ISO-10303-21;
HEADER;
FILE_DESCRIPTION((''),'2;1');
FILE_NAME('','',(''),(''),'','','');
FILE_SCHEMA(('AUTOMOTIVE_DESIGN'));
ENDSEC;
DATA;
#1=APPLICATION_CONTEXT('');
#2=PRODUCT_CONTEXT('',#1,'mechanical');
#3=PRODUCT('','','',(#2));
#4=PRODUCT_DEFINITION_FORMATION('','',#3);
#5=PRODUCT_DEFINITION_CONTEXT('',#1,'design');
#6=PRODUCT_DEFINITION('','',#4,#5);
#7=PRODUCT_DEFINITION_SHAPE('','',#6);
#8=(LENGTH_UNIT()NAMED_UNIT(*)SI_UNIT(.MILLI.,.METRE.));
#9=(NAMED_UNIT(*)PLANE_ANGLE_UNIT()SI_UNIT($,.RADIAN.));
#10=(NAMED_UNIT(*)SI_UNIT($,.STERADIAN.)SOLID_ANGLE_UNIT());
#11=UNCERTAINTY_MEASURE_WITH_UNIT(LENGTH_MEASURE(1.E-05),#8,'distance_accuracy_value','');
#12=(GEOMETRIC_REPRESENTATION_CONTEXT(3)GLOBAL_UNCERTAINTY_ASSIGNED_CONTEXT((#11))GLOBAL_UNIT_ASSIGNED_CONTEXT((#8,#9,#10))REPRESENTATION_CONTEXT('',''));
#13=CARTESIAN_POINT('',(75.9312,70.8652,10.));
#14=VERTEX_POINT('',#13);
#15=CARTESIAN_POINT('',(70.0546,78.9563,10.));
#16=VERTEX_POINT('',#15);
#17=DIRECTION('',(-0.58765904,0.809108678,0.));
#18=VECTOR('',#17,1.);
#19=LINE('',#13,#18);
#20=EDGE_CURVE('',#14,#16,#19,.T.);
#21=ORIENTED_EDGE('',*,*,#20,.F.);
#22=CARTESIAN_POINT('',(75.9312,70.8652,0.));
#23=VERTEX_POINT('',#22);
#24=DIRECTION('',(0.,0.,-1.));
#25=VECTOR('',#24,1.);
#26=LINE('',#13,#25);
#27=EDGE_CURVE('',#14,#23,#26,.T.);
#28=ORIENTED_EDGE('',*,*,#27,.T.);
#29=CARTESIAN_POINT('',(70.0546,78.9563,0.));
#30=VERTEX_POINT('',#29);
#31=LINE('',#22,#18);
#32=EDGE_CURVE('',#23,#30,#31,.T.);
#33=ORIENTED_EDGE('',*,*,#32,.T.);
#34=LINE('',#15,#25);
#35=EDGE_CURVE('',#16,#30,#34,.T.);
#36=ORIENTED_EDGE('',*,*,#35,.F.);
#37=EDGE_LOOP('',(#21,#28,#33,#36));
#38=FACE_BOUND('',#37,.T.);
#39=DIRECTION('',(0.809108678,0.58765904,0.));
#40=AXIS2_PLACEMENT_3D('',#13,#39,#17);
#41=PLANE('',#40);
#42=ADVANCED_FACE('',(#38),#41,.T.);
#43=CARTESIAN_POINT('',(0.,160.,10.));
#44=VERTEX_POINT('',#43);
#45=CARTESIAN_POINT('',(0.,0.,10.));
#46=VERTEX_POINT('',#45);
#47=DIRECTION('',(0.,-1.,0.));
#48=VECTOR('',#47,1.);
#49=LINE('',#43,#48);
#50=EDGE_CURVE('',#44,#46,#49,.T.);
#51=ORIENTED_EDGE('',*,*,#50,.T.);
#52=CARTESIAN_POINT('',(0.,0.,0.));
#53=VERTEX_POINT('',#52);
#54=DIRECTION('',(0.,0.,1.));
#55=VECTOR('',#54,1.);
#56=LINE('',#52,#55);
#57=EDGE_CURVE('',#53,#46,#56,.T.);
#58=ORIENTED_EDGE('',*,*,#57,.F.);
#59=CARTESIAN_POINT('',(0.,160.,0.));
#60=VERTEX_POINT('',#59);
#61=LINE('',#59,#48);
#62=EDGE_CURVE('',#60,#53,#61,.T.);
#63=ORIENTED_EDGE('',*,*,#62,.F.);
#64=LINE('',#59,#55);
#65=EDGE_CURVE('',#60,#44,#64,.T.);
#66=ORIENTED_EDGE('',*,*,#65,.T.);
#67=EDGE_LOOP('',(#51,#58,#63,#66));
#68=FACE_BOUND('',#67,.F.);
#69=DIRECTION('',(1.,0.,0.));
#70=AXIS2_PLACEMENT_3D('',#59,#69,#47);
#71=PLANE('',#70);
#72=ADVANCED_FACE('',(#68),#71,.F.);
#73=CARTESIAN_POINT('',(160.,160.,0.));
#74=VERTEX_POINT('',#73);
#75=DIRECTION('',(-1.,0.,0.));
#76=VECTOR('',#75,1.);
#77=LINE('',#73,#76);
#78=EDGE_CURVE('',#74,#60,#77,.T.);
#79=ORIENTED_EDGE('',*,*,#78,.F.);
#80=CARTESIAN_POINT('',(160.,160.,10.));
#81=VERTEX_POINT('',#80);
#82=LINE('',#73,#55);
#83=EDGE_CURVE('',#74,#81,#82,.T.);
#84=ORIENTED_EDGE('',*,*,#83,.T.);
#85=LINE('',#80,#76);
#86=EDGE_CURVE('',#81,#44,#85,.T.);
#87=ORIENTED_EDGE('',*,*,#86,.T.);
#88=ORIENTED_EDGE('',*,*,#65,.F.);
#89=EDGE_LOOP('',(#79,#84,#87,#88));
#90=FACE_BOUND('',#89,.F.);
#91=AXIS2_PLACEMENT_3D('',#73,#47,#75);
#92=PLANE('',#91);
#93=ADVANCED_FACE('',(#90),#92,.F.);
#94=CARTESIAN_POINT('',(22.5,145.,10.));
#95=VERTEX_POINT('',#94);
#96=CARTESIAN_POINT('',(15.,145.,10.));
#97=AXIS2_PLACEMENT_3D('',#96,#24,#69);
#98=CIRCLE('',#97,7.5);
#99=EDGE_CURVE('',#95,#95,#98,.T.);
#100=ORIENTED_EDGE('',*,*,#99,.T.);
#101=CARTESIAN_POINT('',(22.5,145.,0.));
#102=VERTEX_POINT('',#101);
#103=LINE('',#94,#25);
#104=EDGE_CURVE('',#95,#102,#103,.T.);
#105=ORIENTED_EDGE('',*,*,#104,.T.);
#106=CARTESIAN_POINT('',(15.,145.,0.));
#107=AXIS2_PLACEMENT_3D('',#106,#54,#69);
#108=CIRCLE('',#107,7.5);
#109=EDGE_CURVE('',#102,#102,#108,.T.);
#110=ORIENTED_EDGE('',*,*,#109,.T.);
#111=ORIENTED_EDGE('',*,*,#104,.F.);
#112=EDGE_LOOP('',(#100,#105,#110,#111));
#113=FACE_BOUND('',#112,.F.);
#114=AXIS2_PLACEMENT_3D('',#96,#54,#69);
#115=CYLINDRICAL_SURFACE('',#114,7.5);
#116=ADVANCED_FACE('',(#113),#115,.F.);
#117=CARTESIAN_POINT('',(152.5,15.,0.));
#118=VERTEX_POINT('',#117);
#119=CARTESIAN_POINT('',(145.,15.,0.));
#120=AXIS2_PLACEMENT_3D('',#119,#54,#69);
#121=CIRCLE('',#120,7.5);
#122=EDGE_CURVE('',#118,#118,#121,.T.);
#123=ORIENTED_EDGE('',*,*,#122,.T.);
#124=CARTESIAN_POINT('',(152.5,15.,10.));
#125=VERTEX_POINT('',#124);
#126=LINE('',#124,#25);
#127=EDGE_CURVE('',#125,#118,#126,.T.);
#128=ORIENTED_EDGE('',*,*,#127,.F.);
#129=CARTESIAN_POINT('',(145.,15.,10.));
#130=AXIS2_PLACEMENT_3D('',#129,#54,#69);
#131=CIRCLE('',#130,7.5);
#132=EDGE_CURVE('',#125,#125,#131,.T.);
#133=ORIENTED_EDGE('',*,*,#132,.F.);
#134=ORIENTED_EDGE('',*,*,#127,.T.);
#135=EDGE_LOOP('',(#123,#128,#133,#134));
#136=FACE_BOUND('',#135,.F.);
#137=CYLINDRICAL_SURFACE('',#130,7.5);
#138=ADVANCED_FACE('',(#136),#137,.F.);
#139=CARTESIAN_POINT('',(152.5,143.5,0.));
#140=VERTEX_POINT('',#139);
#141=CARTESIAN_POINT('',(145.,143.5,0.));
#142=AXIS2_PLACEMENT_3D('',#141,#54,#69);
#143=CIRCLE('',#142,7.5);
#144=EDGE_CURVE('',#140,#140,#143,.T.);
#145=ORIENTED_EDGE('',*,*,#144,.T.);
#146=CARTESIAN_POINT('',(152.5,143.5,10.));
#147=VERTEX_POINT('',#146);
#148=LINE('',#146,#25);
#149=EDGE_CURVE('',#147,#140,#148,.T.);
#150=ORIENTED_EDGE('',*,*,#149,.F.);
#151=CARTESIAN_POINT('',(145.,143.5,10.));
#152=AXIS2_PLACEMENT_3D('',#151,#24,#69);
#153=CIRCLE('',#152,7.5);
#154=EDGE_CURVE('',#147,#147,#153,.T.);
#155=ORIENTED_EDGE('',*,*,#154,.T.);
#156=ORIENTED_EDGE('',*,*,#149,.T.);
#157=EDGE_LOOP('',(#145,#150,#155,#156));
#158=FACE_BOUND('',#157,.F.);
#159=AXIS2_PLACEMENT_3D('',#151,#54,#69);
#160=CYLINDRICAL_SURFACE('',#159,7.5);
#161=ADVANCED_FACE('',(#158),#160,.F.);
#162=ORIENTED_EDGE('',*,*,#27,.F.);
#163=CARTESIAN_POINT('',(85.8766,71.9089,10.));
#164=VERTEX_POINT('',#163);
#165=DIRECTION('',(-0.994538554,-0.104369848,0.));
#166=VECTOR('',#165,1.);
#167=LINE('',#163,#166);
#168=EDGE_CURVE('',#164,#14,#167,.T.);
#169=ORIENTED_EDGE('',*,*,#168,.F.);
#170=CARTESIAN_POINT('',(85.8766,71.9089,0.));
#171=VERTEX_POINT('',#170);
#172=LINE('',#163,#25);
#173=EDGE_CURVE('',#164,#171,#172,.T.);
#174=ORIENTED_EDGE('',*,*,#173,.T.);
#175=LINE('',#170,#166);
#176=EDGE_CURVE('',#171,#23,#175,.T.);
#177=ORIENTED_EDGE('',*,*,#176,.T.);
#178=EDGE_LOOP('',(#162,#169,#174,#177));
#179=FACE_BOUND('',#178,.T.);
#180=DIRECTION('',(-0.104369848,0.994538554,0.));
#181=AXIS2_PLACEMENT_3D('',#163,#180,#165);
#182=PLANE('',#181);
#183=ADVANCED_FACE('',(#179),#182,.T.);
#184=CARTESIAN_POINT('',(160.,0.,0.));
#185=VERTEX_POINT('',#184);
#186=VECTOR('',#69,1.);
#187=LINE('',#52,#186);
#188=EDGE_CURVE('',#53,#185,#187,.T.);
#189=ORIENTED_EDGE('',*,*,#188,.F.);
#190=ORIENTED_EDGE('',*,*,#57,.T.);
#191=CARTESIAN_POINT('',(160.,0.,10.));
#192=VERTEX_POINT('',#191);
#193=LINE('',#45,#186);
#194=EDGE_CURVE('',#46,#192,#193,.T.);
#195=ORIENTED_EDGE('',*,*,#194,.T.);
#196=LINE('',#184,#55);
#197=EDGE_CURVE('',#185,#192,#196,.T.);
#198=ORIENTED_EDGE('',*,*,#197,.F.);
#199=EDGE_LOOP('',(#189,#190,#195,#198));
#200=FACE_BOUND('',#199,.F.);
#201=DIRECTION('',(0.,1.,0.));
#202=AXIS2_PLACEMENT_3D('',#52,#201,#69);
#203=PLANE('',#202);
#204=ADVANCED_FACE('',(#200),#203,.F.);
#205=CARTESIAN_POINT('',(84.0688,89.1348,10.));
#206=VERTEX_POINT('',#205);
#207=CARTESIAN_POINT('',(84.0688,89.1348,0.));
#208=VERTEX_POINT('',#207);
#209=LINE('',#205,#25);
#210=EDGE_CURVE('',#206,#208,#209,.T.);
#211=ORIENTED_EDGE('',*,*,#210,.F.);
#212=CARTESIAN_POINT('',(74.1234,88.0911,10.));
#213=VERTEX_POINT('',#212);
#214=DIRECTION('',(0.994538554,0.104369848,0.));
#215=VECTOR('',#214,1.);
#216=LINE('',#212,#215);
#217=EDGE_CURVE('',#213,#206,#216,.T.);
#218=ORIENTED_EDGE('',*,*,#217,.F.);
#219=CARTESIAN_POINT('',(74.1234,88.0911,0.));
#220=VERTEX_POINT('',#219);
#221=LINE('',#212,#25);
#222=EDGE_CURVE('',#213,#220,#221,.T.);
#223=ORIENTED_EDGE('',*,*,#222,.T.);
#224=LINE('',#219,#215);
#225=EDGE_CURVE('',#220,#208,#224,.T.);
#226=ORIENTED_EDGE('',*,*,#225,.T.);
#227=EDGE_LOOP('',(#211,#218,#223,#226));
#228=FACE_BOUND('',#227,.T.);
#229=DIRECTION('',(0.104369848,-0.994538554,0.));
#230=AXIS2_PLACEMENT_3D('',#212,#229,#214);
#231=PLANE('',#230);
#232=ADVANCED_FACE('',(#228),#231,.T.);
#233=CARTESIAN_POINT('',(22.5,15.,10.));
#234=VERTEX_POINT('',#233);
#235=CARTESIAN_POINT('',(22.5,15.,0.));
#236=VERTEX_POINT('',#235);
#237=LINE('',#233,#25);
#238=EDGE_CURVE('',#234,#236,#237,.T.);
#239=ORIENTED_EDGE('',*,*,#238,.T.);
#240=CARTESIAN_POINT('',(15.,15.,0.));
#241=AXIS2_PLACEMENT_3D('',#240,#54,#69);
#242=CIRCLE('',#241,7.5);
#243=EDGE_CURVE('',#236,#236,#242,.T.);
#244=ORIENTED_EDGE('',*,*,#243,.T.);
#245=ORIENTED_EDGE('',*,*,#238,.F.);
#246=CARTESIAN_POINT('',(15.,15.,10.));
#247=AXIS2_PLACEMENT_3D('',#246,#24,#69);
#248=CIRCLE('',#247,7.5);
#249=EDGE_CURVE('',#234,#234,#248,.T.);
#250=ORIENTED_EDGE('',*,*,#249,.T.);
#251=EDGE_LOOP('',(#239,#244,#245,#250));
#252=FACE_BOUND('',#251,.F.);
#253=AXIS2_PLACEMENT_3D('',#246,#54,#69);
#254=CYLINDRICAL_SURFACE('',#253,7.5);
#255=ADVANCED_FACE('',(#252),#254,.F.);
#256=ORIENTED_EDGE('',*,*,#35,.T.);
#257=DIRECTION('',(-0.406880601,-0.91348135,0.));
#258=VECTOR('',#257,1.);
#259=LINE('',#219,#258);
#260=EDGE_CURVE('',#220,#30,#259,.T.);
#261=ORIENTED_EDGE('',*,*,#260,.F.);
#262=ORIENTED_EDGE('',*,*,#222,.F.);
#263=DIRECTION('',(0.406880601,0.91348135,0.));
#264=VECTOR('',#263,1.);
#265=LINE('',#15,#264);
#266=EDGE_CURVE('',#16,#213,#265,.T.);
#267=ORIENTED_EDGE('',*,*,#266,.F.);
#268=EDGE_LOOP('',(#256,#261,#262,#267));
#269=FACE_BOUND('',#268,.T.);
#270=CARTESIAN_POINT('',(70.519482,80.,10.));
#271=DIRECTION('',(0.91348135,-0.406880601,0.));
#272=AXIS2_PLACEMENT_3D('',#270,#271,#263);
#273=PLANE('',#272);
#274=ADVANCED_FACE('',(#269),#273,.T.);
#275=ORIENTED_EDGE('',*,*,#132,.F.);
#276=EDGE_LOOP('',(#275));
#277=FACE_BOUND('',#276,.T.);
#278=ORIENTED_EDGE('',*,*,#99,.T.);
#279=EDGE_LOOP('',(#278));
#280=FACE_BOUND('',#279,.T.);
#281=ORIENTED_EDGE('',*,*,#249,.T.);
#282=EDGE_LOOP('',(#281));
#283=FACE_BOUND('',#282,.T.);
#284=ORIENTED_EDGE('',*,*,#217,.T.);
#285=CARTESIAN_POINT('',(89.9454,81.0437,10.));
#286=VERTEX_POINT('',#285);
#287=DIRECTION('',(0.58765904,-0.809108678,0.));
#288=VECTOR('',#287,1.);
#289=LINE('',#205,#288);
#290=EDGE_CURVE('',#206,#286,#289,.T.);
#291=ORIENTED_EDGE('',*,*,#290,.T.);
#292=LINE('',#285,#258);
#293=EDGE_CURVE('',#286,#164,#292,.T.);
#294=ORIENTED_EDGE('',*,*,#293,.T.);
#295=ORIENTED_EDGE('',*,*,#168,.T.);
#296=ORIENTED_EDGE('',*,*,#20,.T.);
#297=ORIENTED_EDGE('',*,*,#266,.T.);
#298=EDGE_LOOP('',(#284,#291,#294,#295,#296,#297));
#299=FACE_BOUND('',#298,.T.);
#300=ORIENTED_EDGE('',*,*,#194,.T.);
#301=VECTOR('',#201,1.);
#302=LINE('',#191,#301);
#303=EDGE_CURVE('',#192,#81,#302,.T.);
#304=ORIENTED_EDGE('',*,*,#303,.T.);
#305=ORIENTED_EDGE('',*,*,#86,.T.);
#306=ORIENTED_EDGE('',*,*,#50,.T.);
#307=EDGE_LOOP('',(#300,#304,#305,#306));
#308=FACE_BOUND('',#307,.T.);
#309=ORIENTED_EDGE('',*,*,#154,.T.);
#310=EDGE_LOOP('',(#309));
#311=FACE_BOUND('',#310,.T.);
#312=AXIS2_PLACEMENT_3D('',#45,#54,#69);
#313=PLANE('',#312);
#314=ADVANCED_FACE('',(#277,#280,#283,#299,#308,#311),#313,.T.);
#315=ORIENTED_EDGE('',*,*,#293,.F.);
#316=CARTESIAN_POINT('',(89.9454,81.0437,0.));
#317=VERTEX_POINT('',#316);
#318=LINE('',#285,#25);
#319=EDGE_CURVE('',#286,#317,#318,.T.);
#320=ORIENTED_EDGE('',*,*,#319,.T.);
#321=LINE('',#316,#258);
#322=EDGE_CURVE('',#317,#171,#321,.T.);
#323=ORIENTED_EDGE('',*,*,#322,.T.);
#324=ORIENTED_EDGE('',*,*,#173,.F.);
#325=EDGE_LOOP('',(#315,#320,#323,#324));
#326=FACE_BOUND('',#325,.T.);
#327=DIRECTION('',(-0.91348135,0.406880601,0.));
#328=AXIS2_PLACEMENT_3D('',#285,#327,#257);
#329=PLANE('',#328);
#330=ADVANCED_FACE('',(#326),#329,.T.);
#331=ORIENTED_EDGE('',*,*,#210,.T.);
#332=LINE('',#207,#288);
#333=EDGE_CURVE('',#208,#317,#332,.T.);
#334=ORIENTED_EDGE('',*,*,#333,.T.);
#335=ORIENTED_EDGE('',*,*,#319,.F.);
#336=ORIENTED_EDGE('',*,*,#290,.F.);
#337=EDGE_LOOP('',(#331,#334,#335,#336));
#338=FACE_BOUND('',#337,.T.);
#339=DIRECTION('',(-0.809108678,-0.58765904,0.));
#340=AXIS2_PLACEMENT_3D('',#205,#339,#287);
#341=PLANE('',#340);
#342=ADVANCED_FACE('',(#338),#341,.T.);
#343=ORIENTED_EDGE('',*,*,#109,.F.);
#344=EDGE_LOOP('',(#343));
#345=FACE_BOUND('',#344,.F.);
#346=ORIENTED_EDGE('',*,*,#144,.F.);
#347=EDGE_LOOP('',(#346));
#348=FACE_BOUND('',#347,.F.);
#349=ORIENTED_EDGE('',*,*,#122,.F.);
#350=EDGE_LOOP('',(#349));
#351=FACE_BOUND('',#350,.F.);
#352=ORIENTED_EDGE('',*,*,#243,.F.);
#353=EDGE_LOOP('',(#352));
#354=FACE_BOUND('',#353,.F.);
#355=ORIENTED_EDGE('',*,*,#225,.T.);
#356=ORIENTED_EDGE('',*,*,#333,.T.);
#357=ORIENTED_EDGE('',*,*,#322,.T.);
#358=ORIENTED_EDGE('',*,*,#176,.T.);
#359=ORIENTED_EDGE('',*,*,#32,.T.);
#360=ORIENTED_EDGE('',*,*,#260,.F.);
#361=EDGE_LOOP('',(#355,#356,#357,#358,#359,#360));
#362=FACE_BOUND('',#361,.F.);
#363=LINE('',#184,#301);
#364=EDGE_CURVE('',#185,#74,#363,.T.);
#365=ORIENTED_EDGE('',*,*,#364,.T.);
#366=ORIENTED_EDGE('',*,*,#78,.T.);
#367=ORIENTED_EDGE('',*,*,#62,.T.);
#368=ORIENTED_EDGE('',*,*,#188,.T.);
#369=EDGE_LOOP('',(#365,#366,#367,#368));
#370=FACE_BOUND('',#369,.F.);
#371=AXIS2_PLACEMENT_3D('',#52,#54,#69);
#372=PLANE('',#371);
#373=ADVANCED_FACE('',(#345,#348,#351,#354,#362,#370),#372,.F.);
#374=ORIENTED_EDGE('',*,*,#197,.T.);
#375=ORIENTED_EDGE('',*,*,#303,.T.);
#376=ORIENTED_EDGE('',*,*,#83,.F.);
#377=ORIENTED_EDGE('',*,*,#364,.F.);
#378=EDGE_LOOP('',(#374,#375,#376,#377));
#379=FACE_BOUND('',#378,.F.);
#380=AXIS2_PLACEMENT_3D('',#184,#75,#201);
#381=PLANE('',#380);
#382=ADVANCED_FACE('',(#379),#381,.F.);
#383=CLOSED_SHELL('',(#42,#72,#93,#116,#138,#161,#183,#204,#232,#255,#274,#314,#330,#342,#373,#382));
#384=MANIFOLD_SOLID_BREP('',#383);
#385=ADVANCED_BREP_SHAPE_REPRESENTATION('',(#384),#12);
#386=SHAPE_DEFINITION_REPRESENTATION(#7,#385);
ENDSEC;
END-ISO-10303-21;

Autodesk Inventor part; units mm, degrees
ref_plane "YZ Plane" through (0, 0, 0) normal (1, 0, 0) x (0, 1, 0)
ref_plane "XZ Plane" through (0, 0, 0) normal (0, 1, 0) x (-1, 0, 0)
ref_plane "XY Plane" through (0, 0, 0) normal (0, 0, 1) x (1, 0, 0)
sketch "Sketch1" plane through (0, 0, 0) normal (0, 0, 1) x (1, 0, 0)
  line L0 (0, 0) -> (160, 0)
  line L1 (160, 0) -> (160, 160)
  line L2 (160, 160) -> (0, 160)
  line L3 (0, 160) -> (0, 0)
  dimension "d0" = 160
  dimension "d1" = 160
extrude "Extrusion1" add sketch "Sketch1" along normal blind 10
sketch "Sketch2" plane through (0, 0, 10) normal (0, 0, 1) x (1, 0, 0)
  line L0 (0, 0) -> (160, 0) projected
  line L1 (0, 0) -> (15, 0)
  line L2 (15, 0) -> (15, 15)
  line L3 (160, 160) -> (0, 160) projected
  line L4 (0, 160) -> (15, 160)
  line L5 (15, 160) -> (15, 145)
  line L6 (160, 0) -> (160, 160) projected
  line L7 (160, 160) -> (145, 160)
  line L8 (145, 160) -> (145, 143.5)
  line L9 (160, 0) -> (160, 15)
  line L10 (160, 15) -> (145, 15)
  circle A0 centre (15, 145) radius 7.5
  circle A1 centre (145, 143.5) radius 7.5
  circle A2 centre (145, 15) radius 7.5
  circle A3 centre (15, 15) radius 7.5
  dimension "d4" = 15
  dimension "d5" = 15
  dimension "d6" = 15
  dimension "d7" = 15
  dimension "d8" = 15
  dimension "d9" = 16.5
  dimension "d10" = 15
  dimension "d11" = 15
  dimension "d12" = 15
  dimension "d13" = 15
  dimension "d14" = 15
  dimension "d15" = 15
extrude "Extrusion2" cut sketch "Sketch2" against normal blind 10
sketch "Sketch3" plane through (0, 0, 10) normal (0, 0, 1) x (1, 0, 0)
  line L0 (0, 160) -> (0, 0) projected
  line L1 (0, 0) -> (80, 0)
  line L2 (0, 0) -> (160, 0) projected
  line L3 (80, 0) -> (0, 0)
  line L4 (0, 0) -> (80, 0)
  dimension "d18" = 80
  dimension "d19" = 80
  dimension "d20" = 80
sketch "Sketch4" plane through (0, 0, 10) normal (0, 0, 1) x (1, 0, 0)
  line L0 (0, 0) -> (160, 0) projected
  line L1 (0, 0) -> (0, 80)
  line L2 (0, 160) -> (0, 0) projected
  dimension "d21" = 80
sketch "Sketch5" plane through (0, 0, 10) normal (0, 0, 1) x (1, 0, 0)
  line L0 (0, 160) -> (0, 0) projected
  line L1 (0, 80) -> (80, 80)
  line L2 (84.0688, 89.1348) -> (89.9454, 81.0437)
  line L3 (89.9454, 81.0437) -> (85.8766, 71.9089)
  line L4 (85.8766, 71.9089) -> (75.9312, 70.8652)
  line L5 (75.9312, 70.8652) -> (70.0546, 78.9563)
  line L6 (70.0546, 78.9563) -> (74.1234, 88.0911)
  line L7 (74.1234, 88.0911) -> (84.0688, 89.1348)
  dimension "d22" = 80
  dimension "d23" = 10
extrude "Extrusion3" cut sketch "Sketch5" against normal blind 10
properties part number "103"
